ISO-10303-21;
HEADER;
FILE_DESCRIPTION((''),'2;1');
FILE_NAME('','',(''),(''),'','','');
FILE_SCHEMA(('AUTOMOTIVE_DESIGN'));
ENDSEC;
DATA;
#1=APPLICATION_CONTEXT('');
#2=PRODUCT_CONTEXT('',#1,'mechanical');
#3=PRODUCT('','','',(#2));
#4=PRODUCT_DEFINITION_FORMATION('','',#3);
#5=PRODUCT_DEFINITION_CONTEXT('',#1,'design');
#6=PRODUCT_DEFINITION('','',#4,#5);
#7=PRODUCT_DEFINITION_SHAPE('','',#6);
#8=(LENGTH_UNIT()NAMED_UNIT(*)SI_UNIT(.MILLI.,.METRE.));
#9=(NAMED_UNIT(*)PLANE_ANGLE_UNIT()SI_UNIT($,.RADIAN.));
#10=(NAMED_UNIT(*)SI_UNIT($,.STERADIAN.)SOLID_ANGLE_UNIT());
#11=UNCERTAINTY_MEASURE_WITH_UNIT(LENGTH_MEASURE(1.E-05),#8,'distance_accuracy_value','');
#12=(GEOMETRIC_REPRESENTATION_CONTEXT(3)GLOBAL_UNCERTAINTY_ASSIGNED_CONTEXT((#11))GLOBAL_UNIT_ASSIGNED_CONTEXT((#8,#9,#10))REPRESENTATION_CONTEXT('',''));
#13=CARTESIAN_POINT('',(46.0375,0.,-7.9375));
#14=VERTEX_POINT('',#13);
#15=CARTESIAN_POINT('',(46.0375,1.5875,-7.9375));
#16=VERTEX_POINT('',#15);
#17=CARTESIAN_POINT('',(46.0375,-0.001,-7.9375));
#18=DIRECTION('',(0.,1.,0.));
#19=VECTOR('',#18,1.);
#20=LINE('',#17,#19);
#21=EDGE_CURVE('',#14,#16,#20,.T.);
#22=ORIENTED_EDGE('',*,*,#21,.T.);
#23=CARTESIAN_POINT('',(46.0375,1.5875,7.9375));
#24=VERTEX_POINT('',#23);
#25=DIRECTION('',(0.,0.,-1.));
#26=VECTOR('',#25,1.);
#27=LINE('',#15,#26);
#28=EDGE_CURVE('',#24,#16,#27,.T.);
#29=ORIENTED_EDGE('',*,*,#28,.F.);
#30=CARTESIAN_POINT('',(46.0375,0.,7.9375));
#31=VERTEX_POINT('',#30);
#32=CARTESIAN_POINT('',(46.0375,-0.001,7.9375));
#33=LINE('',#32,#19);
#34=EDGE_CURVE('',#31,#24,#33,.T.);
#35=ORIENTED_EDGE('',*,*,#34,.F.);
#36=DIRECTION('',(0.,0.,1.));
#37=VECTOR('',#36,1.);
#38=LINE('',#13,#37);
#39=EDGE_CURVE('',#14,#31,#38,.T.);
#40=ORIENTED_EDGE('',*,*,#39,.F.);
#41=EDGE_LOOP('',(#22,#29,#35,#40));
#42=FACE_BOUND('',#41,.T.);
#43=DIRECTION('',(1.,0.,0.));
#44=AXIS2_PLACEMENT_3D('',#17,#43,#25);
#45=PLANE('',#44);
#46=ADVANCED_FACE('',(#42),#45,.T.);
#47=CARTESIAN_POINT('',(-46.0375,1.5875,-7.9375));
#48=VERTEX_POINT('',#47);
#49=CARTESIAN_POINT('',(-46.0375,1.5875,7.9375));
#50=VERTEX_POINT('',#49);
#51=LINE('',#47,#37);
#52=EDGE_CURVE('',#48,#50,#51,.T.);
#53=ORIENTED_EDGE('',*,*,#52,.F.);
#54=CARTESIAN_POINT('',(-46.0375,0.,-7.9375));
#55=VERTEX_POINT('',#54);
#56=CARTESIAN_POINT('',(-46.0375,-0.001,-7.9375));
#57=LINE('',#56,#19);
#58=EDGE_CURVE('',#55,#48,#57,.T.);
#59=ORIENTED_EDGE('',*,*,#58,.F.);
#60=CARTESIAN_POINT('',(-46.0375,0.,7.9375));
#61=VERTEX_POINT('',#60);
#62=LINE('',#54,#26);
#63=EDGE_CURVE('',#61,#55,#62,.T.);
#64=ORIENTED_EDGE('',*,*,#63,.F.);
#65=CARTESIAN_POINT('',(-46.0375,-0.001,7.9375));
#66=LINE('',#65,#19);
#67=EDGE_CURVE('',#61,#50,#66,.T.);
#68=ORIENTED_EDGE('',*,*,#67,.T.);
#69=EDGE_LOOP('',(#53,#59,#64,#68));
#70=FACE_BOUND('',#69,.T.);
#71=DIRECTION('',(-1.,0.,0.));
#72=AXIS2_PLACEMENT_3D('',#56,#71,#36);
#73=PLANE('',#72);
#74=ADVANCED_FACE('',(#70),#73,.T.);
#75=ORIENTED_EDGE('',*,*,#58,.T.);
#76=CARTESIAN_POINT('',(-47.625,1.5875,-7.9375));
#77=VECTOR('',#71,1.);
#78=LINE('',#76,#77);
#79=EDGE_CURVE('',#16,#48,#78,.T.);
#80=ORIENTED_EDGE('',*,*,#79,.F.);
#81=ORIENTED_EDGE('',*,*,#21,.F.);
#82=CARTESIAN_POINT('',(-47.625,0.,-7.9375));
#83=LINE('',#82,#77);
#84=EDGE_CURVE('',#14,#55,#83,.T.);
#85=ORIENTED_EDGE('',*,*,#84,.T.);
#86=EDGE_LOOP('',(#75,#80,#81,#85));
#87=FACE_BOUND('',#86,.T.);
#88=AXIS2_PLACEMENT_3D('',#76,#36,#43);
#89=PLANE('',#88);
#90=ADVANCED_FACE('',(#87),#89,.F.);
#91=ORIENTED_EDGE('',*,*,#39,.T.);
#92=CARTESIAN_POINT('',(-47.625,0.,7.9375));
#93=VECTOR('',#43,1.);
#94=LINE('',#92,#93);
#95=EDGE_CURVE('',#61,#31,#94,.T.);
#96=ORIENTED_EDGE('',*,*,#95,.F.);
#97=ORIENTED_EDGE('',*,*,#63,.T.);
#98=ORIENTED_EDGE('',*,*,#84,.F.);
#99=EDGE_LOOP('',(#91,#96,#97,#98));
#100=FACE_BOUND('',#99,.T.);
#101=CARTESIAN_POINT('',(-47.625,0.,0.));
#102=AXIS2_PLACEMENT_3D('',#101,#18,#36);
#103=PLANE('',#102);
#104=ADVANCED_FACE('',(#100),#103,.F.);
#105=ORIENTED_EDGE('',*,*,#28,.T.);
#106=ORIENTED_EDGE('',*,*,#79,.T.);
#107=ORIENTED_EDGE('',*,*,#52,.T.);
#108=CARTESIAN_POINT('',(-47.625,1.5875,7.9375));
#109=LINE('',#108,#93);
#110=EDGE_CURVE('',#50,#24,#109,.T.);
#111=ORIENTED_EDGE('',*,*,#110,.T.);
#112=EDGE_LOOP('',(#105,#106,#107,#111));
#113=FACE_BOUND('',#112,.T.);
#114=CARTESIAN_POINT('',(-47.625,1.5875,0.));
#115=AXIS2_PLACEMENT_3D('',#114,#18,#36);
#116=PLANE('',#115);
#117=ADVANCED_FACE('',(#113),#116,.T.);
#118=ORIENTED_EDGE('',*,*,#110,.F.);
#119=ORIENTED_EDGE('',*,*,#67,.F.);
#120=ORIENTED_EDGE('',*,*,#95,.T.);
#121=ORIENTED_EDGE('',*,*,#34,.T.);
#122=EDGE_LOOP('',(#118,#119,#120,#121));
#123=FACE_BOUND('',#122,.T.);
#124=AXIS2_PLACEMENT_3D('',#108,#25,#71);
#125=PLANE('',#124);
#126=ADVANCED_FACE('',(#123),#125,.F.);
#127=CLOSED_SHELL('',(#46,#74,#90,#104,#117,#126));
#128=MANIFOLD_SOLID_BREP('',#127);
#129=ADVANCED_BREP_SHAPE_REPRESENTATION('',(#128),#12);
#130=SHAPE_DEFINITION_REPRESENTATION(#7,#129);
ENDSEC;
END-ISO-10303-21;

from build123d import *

# Parameters (mm, degrees)
BOSS_EXTRUDE1_DEPTH = 1.5875
CUT_EXTRUDE1_START  = -1.5875
SKETCH2_W           = 132.168329665
SKETCH2_H           = 39.637629539
SKETCH2_W_2         = 92.075
SKETCH2_H_2         = 15.875
CUT_EXTRUDE1_DEPTH  = 1.5875


with BuildPart() as part:
    # Sketch1 → Boss-Extrude1 (new body)
    with BuildSketch(Plane(origin=(0, 0, 0), x_dir=(1, 0, 0), z_dir=(0, 1, 0))):
        with BuildLine():
            Line((-47.625, 7.9375), (47.625, 7.9375))
            ThreePointArc((47.625, 7.9375), (55.5625, 0), (47.625, -7.9375))
            Line((47.625, -7.9375), (-47.625, -7.9375))
            ThreePointArc((-47.625, -7.9375), (-55.5625, 0), (-47.625, 7.9375))
        make_face()
    extrude(amount=BOSS_EXTRUDE1_DEPTH)

    # Sketch2 → Cut-Extrude1 (cut)
    with BuildSketch(Plane(origin=(0, 1.5875, 0), x_dir=(1, 0, 0), z_dir=(0, 1, 0)).offset(CUT_EXTRUDE1_START)):
        with Locations((-1.994750837, -0.57912121)):
            Rectangle(SKETCH2_W, SKETCH2_H)
        Rectangle(SKETCH2_W_2, SKETCH2_H_2, mode=Mode.SUBTRACT)
    extrude(amount=CUT_EXTRUDE1_DEPTH, mode=Mode.SUBTRACT)


solid = part.part
